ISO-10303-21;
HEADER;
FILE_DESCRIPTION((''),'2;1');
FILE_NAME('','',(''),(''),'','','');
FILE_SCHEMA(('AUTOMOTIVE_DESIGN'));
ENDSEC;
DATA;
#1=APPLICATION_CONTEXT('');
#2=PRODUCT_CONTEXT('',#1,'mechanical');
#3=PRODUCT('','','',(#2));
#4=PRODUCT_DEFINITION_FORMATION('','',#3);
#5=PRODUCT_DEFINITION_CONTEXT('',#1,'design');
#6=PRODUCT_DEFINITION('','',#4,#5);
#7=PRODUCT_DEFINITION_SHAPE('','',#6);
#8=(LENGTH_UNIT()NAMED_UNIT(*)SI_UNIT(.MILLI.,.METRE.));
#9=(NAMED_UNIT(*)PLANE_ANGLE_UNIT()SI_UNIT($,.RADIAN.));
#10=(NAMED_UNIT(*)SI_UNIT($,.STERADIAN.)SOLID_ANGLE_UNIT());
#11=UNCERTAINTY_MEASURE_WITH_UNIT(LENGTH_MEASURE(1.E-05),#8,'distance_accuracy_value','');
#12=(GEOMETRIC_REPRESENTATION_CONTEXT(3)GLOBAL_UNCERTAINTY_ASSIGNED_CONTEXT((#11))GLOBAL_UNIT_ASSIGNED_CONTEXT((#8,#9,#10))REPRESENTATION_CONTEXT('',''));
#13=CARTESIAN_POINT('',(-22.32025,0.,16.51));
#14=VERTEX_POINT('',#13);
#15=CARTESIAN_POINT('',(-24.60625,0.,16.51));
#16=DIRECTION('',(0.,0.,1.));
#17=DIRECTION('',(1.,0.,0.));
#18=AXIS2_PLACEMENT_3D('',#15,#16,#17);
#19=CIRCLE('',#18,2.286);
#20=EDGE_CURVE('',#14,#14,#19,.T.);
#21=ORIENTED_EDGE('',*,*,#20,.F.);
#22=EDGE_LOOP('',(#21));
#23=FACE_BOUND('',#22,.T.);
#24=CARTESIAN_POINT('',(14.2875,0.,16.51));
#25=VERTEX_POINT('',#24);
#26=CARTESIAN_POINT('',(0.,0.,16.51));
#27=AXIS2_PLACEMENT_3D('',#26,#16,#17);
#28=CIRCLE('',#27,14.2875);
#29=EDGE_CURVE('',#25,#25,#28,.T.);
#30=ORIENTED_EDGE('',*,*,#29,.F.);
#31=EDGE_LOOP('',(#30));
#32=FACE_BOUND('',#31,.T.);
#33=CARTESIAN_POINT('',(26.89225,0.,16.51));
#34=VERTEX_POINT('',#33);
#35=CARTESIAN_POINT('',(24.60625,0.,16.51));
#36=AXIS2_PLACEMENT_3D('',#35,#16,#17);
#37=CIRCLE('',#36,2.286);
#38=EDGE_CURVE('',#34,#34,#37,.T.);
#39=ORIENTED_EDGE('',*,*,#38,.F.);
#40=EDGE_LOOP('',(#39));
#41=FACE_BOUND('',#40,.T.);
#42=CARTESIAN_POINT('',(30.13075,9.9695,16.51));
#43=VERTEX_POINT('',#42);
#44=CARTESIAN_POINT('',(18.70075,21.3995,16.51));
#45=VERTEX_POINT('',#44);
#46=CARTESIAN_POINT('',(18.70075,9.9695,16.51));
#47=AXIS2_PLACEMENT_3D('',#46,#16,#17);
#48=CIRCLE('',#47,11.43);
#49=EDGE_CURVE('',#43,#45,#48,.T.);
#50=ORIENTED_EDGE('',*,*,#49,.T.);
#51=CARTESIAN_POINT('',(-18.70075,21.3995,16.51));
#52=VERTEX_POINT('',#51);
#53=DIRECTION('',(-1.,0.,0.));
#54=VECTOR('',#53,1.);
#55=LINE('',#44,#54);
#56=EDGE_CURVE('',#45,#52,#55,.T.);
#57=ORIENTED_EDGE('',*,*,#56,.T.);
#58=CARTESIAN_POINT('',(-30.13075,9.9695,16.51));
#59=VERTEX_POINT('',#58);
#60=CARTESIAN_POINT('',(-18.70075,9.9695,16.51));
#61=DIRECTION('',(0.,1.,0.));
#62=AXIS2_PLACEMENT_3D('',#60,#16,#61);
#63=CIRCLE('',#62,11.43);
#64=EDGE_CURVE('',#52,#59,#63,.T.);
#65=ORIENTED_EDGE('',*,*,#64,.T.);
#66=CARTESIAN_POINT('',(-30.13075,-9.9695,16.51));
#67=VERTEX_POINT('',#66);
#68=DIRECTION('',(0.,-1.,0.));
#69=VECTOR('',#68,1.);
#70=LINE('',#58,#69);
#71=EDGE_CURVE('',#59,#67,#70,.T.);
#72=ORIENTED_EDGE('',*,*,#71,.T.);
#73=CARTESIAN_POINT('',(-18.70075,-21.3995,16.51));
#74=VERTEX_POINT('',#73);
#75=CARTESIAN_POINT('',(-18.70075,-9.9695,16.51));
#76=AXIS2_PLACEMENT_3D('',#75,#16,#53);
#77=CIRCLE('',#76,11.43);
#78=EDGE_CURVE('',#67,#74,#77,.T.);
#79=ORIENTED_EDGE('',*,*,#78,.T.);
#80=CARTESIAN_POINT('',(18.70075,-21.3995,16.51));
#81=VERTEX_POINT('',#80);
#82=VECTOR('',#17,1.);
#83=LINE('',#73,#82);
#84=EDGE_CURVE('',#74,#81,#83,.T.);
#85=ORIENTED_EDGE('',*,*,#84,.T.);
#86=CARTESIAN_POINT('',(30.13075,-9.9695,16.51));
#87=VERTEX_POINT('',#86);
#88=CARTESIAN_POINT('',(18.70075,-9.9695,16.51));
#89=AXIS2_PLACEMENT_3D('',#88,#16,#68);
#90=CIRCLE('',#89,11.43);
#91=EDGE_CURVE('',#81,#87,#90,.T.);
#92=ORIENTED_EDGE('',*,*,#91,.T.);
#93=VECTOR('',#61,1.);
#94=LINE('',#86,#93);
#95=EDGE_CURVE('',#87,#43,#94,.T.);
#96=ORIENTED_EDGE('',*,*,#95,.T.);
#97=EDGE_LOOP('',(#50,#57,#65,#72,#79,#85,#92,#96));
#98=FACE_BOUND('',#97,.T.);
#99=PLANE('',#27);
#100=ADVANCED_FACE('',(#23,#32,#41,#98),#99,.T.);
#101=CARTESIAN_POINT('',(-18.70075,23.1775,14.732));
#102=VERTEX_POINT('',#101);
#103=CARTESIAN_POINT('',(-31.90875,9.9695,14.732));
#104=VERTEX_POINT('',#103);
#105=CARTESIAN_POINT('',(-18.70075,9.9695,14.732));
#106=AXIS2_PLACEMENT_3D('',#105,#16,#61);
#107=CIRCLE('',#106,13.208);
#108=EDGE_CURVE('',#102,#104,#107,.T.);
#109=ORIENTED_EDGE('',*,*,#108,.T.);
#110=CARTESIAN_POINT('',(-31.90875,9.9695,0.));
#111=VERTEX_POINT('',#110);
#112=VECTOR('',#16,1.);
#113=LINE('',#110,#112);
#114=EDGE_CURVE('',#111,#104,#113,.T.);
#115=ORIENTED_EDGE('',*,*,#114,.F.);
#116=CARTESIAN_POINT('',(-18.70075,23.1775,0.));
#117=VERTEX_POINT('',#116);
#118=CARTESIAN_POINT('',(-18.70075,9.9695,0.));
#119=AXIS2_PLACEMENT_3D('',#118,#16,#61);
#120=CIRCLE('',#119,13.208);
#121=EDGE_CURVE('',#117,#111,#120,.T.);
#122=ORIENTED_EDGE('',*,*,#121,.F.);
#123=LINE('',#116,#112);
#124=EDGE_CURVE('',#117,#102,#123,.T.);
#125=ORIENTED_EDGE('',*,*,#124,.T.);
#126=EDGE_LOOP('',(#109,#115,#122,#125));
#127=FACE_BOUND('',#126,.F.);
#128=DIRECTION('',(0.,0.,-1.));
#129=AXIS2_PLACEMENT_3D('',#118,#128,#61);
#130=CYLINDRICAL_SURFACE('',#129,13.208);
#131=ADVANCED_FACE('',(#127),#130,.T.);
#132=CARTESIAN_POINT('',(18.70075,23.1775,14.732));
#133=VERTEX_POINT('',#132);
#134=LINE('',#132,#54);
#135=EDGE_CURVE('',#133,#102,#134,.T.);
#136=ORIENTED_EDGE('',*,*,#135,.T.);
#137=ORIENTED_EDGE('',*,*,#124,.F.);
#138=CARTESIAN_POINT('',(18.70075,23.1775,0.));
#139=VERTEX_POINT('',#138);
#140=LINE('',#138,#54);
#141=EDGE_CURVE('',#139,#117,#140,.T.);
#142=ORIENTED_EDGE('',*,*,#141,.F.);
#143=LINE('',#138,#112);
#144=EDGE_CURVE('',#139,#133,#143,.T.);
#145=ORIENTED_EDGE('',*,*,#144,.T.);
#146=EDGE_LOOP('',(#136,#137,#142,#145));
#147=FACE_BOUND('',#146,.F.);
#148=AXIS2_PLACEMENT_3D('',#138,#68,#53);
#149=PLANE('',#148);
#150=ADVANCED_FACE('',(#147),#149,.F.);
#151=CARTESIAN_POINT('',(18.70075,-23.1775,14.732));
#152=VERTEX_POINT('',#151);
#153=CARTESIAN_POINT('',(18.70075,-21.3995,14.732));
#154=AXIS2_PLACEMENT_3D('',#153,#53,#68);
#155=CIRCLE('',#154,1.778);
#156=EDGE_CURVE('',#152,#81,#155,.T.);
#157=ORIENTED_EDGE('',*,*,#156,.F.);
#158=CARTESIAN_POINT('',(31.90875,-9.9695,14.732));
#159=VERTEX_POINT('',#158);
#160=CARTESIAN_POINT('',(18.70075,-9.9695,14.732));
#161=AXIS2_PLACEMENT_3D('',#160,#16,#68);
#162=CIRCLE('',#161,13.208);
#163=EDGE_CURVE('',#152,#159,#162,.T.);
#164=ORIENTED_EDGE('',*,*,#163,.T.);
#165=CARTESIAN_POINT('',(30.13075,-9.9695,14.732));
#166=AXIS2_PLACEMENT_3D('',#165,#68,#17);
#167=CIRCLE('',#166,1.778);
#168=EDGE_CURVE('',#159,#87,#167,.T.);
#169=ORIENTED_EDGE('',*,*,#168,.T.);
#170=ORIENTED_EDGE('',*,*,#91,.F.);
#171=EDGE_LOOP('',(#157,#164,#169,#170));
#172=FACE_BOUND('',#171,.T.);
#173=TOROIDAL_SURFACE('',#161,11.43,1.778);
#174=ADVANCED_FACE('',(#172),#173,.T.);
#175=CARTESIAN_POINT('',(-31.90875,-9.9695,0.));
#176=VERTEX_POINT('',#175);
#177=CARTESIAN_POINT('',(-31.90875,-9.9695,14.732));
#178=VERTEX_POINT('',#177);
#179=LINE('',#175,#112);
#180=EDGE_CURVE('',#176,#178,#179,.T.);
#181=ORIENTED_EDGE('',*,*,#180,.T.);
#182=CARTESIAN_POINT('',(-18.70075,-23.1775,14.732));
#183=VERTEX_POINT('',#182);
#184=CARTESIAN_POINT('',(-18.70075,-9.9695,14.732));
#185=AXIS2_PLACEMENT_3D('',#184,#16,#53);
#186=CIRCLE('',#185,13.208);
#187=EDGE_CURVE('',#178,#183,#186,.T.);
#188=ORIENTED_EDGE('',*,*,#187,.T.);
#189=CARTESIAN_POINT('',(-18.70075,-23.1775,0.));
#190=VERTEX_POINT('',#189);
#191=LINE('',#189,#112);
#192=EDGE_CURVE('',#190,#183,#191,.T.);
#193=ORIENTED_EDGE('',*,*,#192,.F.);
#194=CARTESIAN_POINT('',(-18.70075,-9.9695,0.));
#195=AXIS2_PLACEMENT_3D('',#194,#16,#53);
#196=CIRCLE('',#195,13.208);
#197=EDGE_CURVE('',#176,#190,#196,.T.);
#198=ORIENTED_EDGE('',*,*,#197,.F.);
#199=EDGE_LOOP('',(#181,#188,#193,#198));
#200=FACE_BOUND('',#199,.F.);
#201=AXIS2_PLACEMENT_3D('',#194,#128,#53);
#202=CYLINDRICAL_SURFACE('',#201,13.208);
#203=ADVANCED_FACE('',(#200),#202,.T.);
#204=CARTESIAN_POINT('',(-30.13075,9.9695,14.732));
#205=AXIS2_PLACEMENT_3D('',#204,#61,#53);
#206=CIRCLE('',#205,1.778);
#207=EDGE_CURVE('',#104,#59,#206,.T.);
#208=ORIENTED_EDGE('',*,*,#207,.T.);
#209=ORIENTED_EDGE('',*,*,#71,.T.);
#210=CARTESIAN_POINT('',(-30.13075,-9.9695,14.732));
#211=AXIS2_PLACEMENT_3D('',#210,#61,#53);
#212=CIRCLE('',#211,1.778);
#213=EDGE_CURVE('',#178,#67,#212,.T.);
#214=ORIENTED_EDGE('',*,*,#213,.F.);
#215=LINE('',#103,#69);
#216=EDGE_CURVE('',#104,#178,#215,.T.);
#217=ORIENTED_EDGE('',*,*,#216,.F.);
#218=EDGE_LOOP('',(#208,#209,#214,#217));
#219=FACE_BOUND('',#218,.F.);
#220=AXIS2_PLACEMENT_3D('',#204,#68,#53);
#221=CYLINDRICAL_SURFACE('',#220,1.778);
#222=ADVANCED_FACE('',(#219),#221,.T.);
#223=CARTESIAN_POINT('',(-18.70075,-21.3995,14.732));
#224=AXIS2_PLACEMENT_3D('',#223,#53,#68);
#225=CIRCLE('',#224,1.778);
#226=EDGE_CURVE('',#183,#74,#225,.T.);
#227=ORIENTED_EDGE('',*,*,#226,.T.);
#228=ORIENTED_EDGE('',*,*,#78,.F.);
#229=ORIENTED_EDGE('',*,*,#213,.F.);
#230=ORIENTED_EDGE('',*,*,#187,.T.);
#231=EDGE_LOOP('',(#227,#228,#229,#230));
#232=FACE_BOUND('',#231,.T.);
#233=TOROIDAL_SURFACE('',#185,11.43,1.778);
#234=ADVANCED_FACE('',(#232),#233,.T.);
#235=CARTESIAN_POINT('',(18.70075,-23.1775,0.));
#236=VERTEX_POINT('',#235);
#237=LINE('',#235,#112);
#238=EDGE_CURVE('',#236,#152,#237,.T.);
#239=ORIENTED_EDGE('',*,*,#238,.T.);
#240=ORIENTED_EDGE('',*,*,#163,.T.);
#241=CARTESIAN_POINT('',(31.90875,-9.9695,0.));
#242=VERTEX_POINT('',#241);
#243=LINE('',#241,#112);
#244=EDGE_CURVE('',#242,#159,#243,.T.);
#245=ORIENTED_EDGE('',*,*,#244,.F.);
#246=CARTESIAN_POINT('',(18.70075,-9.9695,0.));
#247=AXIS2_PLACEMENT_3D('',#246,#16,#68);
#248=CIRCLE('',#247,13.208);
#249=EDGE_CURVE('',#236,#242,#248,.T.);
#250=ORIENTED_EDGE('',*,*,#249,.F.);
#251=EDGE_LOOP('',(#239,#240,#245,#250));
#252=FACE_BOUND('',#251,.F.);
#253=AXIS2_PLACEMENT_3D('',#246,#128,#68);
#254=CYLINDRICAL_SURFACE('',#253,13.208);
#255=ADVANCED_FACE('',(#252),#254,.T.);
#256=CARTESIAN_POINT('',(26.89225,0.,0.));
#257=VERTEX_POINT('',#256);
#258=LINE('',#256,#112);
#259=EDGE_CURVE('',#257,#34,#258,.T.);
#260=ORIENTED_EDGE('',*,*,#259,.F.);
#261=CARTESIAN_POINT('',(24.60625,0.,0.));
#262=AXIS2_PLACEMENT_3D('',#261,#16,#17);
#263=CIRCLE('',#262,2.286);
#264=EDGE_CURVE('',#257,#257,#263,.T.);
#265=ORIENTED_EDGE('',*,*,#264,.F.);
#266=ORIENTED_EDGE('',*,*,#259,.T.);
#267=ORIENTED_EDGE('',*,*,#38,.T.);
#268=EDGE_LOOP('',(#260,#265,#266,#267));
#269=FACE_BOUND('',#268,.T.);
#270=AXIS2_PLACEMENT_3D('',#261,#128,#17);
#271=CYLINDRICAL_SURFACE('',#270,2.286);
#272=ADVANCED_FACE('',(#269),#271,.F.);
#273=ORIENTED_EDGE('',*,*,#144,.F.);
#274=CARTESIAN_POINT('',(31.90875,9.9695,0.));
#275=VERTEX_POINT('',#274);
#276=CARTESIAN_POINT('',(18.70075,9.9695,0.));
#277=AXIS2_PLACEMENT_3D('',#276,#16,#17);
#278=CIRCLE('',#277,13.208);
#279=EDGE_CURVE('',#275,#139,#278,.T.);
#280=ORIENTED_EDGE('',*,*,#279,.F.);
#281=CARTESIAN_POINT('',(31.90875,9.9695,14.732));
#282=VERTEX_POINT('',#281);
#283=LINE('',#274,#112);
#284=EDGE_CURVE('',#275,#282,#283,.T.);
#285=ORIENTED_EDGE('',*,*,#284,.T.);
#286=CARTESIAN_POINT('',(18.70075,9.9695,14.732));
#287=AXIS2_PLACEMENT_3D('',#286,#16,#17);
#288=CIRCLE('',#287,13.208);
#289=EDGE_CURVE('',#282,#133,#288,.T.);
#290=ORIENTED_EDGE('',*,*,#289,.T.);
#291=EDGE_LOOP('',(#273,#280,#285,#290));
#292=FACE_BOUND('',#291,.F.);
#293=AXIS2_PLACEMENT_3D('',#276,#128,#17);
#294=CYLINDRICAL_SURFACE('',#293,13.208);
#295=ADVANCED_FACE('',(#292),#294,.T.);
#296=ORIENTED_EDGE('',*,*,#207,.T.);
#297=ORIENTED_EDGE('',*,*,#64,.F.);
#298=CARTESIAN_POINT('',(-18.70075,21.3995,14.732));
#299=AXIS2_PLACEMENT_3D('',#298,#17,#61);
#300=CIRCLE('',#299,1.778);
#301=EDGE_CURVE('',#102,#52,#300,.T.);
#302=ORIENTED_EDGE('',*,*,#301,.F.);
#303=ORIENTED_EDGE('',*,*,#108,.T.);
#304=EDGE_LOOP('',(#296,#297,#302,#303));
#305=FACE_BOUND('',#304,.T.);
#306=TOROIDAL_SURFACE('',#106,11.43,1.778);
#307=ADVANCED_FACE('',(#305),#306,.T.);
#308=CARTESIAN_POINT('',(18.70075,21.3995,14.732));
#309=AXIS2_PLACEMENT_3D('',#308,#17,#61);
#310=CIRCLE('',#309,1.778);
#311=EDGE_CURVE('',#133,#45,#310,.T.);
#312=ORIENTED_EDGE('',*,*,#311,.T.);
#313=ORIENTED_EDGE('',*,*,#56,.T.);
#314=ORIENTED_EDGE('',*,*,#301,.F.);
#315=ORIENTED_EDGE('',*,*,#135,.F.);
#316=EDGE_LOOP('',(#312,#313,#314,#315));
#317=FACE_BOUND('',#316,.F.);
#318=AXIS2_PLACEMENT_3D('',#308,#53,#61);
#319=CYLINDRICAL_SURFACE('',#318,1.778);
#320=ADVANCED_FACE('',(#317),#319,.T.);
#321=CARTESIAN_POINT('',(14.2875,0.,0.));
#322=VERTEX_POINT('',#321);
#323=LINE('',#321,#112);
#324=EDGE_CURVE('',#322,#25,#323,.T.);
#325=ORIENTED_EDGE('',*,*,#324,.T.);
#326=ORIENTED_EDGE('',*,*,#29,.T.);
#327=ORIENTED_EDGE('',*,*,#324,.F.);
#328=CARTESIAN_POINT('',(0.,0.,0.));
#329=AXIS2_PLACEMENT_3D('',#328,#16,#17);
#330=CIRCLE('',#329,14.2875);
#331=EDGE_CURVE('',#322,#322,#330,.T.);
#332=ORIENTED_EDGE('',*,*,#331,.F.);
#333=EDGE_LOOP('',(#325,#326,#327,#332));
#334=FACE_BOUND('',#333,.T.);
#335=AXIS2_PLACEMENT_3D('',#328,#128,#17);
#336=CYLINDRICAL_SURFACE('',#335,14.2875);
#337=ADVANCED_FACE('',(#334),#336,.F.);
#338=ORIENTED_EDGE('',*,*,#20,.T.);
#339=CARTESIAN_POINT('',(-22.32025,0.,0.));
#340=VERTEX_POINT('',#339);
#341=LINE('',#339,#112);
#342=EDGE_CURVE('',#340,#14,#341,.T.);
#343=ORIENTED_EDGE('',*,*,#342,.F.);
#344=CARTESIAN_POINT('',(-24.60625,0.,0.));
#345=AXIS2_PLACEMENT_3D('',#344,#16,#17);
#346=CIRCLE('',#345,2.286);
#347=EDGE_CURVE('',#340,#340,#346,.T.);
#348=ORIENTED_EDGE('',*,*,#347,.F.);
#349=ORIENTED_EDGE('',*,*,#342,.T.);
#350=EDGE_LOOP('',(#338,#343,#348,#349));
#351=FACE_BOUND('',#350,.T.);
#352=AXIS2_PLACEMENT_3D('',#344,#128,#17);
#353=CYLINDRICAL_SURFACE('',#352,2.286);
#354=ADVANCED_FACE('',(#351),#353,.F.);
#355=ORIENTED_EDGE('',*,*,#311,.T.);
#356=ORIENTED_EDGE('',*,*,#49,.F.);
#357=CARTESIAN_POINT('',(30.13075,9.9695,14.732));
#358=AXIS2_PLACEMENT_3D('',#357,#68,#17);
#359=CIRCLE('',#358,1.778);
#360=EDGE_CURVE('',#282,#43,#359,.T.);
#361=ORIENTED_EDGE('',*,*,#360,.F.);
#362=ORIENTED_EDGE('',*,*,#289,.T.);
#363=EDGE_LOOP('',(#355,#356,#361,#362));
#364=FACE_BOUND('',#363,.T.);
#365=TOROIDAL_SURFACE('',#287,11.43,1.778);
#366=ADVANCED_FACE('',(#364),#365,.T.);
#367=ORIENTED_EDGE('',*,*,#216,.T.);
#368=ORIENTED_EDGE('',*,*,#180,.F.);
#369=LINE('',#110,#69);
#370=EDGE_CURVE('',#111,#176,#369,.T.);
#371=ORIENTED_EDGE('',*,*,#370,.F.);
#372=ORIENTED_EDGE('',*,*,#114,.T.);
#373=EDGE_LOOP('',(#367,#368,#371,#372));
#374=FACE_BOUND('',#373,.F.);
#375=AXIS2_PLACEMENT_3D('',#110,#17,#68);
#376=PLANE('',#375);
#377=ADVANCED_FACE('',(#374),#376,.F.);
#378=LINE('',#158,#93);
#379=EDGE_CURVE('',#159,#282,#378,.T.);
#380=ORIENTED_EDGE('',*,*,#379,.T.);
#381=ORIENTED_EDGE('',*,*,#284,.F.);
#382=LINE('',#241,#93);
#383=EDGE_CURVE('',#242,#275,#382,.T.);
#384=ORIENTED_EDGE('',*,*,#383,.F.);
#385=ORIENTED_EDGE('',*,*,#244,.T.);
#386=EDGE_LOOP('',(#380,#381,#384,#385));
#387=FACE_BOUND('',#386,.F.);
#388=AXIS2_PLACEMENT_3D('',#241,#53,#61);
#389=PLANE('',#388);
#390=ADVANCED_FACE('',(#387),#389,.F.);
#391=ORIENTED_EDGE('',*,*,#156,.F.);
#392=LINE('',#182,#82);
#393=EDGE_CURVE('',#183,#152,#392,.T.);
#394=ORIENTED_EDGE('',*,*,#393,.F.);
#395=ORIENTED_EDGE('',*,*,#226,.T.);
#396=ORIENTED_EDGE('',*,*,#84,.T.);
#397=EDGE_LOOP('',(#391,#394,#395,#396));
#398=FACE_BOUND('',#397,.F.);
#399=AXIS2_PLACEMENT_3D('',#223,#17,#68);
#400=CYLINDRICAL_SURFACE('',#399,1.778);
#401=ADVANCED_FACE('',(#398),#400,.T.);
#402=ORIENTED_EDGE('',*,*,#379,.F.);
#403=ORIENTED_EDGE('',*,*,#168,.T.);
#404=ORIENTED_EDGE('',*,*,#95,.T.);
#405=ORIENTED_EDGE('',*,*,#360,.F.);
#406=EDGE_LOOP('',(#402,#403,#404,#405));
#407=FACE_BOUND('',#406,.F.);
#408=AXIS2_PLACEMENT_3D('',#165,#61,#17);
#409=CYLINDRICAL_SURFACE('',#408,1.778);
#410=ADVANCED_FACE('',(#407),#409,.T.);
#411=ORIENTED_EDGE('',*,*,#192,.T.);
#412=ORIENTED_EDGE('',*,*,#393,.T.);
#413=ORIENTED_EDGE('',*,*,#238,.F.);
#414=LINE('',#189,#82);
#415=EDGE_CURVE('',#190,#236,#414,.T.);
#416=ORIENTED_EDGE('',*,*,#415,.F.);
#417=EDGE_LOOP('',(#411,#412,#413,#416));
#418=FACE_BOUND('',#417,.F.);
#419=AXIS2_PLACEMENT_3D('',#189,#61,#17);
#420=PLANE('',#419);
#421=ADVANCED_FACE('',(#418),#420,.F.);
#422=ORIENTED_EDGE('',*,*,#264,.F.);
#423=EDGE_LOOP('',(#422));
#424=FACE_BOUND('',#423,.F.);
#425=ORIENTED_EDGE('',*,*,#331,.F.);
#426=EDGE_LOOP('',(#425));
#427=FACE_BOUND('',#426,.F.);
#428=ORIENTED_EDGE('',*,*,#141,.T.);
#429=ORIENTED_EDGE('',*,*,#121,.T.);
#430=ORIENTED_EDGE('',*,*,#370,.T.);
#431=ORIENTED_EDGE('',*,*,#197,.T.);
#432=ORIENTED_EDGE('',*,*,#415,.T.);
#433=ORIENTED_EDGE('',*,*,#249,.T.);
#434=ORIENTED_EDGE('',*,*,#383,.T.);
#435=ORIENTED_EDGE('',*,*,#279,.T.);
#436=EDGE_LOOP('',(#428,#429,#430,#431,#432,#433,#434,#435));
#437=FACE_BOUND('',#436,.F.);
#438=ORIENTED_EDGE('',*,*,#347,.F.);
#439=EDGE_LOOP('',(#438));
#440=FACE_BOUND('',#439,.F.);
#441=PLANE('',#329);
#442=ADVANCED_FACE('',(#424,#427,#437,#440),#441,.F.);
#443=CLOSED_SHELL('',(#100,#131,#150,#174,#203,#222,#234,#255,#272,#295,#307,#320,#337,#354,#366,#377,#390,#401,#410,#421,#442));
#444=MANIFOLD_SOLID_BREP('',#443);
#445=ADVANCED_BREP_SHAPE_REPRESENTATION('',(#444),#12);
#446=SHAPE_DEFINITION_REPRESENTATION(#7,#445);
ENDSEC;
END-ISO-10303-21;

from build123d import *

# Parameters (mm, degrees)
F0_R     = 2.286
F0_R_2   = 14.2875
F1_DEPTH = 16.51
F2_R     = 1.778


with BuildPart() as f1:
    # F0 (on Top) → F1 (new body)
    with BuildSketch(Plane.XY):
        with BuildLine():
            Line((-18.70075, -23.1775), (18.70075, -23.1775))
            ThreePointArc((18.70075, -23.1775), (28.0402163659, -19.3089663659), (31.90875, -9.9695))
            Line((31.90875, -9.9695), (31.90875, 9.9695))
            ThreePointArc((31.90875, 9.9695), (28.0402163659, 19.3089663659), (18.70075, 23.1775))
            Line((18.70075, 23.1775), (-18.70075, 23.1775))
            ThreePointArc((-18.70075, 23.1775), (-28.0402163659, 19.3089663659), (-31.90875, 9.9695))
            Line((-31.90875, 9.9695), (-31.90875, -9.9695))
            ThreePointArc((-31.90875, -9.9695), (-28.0402163659, -19.3089663659), (-18.70075, -23.1775))
        make_face()
        with BuildLine():
            Line((-18.70075, 20.6375), (18.70075, 20.6375))
            ThreePointArc((18.70075, 20.6375), (26.2441651417, 17.5129151417), (29.36875, 9.9695))
            Line((29.36875, 9.9695), (29.36875, -9.9695))
            ThreePointArc((29.36875, -9.9695), (26.2441651417, -17.5129151417), (18.70075, -20.6375))
            Line((18.70075, -20.6375), (-18.70075, -20.6375))
            ThreePointArc((-18.70075, -20.6375), (-26.2441651417, -17.5129151417), (-29.36875, -9.9695))
            Line((-29.36875, -9.9695), (-29.36875, 9.9695))
            ThreePointArc((-29.36875, 9.9695), (-26.2441651417, 17.5129151417), (-18.70075, 20.6375))
        make_face(mode=Mode.SUBTRACT)
        with BuildLine():
            ThreePointArc((29.36875, 9.9695), (26.2441651417, 17.5129151417), (18.70075, 20.6375))
            Line((18.70075, 20.6375), (-18.70075, 20.6375))
            ThreePointArc((-18.70075, 20.6375), (-26.2441651417, 17.5129151417), (-29.36875, 9.9695))
            Line((-29.36875, 9.9695), (-29.36875, -9.9695))
            ThreePointArc((-29.36875, -9.9695), (-26.2441651417, -17.5129151417), (-18.70075, -20.6375))
            Line((-18.70075, -20.6375), (18.70075, -20.6375))
            ThreePointArc((18.70075, -20.6375), (26.2441651417, -17.5129151417), (29.36875, -9.9695))
            Line((29.36875, -9.9695), (29.36875, 9.9695))
        make_face()
        with Locations((-24.60625, 0)):
            Circle(F0_R, mode=Mode.SUBTRACT)
        Circle(F0_R_2, mode=Mode.SUBTRACT)
        with Locations((24.60625, 0)):
            Circle(F0_R, mode=Mode.SUBTRACT)
    extrude(amount=F1_DEPTH)

    # F2
    f2_edges = [f1.edges().sort_by_distance(p)[0] for p in [
        (28.040216, 19.308966, 16.51),
    ]]
    fillet(f2_edges, radius=F2_R)


solid = f1.part
